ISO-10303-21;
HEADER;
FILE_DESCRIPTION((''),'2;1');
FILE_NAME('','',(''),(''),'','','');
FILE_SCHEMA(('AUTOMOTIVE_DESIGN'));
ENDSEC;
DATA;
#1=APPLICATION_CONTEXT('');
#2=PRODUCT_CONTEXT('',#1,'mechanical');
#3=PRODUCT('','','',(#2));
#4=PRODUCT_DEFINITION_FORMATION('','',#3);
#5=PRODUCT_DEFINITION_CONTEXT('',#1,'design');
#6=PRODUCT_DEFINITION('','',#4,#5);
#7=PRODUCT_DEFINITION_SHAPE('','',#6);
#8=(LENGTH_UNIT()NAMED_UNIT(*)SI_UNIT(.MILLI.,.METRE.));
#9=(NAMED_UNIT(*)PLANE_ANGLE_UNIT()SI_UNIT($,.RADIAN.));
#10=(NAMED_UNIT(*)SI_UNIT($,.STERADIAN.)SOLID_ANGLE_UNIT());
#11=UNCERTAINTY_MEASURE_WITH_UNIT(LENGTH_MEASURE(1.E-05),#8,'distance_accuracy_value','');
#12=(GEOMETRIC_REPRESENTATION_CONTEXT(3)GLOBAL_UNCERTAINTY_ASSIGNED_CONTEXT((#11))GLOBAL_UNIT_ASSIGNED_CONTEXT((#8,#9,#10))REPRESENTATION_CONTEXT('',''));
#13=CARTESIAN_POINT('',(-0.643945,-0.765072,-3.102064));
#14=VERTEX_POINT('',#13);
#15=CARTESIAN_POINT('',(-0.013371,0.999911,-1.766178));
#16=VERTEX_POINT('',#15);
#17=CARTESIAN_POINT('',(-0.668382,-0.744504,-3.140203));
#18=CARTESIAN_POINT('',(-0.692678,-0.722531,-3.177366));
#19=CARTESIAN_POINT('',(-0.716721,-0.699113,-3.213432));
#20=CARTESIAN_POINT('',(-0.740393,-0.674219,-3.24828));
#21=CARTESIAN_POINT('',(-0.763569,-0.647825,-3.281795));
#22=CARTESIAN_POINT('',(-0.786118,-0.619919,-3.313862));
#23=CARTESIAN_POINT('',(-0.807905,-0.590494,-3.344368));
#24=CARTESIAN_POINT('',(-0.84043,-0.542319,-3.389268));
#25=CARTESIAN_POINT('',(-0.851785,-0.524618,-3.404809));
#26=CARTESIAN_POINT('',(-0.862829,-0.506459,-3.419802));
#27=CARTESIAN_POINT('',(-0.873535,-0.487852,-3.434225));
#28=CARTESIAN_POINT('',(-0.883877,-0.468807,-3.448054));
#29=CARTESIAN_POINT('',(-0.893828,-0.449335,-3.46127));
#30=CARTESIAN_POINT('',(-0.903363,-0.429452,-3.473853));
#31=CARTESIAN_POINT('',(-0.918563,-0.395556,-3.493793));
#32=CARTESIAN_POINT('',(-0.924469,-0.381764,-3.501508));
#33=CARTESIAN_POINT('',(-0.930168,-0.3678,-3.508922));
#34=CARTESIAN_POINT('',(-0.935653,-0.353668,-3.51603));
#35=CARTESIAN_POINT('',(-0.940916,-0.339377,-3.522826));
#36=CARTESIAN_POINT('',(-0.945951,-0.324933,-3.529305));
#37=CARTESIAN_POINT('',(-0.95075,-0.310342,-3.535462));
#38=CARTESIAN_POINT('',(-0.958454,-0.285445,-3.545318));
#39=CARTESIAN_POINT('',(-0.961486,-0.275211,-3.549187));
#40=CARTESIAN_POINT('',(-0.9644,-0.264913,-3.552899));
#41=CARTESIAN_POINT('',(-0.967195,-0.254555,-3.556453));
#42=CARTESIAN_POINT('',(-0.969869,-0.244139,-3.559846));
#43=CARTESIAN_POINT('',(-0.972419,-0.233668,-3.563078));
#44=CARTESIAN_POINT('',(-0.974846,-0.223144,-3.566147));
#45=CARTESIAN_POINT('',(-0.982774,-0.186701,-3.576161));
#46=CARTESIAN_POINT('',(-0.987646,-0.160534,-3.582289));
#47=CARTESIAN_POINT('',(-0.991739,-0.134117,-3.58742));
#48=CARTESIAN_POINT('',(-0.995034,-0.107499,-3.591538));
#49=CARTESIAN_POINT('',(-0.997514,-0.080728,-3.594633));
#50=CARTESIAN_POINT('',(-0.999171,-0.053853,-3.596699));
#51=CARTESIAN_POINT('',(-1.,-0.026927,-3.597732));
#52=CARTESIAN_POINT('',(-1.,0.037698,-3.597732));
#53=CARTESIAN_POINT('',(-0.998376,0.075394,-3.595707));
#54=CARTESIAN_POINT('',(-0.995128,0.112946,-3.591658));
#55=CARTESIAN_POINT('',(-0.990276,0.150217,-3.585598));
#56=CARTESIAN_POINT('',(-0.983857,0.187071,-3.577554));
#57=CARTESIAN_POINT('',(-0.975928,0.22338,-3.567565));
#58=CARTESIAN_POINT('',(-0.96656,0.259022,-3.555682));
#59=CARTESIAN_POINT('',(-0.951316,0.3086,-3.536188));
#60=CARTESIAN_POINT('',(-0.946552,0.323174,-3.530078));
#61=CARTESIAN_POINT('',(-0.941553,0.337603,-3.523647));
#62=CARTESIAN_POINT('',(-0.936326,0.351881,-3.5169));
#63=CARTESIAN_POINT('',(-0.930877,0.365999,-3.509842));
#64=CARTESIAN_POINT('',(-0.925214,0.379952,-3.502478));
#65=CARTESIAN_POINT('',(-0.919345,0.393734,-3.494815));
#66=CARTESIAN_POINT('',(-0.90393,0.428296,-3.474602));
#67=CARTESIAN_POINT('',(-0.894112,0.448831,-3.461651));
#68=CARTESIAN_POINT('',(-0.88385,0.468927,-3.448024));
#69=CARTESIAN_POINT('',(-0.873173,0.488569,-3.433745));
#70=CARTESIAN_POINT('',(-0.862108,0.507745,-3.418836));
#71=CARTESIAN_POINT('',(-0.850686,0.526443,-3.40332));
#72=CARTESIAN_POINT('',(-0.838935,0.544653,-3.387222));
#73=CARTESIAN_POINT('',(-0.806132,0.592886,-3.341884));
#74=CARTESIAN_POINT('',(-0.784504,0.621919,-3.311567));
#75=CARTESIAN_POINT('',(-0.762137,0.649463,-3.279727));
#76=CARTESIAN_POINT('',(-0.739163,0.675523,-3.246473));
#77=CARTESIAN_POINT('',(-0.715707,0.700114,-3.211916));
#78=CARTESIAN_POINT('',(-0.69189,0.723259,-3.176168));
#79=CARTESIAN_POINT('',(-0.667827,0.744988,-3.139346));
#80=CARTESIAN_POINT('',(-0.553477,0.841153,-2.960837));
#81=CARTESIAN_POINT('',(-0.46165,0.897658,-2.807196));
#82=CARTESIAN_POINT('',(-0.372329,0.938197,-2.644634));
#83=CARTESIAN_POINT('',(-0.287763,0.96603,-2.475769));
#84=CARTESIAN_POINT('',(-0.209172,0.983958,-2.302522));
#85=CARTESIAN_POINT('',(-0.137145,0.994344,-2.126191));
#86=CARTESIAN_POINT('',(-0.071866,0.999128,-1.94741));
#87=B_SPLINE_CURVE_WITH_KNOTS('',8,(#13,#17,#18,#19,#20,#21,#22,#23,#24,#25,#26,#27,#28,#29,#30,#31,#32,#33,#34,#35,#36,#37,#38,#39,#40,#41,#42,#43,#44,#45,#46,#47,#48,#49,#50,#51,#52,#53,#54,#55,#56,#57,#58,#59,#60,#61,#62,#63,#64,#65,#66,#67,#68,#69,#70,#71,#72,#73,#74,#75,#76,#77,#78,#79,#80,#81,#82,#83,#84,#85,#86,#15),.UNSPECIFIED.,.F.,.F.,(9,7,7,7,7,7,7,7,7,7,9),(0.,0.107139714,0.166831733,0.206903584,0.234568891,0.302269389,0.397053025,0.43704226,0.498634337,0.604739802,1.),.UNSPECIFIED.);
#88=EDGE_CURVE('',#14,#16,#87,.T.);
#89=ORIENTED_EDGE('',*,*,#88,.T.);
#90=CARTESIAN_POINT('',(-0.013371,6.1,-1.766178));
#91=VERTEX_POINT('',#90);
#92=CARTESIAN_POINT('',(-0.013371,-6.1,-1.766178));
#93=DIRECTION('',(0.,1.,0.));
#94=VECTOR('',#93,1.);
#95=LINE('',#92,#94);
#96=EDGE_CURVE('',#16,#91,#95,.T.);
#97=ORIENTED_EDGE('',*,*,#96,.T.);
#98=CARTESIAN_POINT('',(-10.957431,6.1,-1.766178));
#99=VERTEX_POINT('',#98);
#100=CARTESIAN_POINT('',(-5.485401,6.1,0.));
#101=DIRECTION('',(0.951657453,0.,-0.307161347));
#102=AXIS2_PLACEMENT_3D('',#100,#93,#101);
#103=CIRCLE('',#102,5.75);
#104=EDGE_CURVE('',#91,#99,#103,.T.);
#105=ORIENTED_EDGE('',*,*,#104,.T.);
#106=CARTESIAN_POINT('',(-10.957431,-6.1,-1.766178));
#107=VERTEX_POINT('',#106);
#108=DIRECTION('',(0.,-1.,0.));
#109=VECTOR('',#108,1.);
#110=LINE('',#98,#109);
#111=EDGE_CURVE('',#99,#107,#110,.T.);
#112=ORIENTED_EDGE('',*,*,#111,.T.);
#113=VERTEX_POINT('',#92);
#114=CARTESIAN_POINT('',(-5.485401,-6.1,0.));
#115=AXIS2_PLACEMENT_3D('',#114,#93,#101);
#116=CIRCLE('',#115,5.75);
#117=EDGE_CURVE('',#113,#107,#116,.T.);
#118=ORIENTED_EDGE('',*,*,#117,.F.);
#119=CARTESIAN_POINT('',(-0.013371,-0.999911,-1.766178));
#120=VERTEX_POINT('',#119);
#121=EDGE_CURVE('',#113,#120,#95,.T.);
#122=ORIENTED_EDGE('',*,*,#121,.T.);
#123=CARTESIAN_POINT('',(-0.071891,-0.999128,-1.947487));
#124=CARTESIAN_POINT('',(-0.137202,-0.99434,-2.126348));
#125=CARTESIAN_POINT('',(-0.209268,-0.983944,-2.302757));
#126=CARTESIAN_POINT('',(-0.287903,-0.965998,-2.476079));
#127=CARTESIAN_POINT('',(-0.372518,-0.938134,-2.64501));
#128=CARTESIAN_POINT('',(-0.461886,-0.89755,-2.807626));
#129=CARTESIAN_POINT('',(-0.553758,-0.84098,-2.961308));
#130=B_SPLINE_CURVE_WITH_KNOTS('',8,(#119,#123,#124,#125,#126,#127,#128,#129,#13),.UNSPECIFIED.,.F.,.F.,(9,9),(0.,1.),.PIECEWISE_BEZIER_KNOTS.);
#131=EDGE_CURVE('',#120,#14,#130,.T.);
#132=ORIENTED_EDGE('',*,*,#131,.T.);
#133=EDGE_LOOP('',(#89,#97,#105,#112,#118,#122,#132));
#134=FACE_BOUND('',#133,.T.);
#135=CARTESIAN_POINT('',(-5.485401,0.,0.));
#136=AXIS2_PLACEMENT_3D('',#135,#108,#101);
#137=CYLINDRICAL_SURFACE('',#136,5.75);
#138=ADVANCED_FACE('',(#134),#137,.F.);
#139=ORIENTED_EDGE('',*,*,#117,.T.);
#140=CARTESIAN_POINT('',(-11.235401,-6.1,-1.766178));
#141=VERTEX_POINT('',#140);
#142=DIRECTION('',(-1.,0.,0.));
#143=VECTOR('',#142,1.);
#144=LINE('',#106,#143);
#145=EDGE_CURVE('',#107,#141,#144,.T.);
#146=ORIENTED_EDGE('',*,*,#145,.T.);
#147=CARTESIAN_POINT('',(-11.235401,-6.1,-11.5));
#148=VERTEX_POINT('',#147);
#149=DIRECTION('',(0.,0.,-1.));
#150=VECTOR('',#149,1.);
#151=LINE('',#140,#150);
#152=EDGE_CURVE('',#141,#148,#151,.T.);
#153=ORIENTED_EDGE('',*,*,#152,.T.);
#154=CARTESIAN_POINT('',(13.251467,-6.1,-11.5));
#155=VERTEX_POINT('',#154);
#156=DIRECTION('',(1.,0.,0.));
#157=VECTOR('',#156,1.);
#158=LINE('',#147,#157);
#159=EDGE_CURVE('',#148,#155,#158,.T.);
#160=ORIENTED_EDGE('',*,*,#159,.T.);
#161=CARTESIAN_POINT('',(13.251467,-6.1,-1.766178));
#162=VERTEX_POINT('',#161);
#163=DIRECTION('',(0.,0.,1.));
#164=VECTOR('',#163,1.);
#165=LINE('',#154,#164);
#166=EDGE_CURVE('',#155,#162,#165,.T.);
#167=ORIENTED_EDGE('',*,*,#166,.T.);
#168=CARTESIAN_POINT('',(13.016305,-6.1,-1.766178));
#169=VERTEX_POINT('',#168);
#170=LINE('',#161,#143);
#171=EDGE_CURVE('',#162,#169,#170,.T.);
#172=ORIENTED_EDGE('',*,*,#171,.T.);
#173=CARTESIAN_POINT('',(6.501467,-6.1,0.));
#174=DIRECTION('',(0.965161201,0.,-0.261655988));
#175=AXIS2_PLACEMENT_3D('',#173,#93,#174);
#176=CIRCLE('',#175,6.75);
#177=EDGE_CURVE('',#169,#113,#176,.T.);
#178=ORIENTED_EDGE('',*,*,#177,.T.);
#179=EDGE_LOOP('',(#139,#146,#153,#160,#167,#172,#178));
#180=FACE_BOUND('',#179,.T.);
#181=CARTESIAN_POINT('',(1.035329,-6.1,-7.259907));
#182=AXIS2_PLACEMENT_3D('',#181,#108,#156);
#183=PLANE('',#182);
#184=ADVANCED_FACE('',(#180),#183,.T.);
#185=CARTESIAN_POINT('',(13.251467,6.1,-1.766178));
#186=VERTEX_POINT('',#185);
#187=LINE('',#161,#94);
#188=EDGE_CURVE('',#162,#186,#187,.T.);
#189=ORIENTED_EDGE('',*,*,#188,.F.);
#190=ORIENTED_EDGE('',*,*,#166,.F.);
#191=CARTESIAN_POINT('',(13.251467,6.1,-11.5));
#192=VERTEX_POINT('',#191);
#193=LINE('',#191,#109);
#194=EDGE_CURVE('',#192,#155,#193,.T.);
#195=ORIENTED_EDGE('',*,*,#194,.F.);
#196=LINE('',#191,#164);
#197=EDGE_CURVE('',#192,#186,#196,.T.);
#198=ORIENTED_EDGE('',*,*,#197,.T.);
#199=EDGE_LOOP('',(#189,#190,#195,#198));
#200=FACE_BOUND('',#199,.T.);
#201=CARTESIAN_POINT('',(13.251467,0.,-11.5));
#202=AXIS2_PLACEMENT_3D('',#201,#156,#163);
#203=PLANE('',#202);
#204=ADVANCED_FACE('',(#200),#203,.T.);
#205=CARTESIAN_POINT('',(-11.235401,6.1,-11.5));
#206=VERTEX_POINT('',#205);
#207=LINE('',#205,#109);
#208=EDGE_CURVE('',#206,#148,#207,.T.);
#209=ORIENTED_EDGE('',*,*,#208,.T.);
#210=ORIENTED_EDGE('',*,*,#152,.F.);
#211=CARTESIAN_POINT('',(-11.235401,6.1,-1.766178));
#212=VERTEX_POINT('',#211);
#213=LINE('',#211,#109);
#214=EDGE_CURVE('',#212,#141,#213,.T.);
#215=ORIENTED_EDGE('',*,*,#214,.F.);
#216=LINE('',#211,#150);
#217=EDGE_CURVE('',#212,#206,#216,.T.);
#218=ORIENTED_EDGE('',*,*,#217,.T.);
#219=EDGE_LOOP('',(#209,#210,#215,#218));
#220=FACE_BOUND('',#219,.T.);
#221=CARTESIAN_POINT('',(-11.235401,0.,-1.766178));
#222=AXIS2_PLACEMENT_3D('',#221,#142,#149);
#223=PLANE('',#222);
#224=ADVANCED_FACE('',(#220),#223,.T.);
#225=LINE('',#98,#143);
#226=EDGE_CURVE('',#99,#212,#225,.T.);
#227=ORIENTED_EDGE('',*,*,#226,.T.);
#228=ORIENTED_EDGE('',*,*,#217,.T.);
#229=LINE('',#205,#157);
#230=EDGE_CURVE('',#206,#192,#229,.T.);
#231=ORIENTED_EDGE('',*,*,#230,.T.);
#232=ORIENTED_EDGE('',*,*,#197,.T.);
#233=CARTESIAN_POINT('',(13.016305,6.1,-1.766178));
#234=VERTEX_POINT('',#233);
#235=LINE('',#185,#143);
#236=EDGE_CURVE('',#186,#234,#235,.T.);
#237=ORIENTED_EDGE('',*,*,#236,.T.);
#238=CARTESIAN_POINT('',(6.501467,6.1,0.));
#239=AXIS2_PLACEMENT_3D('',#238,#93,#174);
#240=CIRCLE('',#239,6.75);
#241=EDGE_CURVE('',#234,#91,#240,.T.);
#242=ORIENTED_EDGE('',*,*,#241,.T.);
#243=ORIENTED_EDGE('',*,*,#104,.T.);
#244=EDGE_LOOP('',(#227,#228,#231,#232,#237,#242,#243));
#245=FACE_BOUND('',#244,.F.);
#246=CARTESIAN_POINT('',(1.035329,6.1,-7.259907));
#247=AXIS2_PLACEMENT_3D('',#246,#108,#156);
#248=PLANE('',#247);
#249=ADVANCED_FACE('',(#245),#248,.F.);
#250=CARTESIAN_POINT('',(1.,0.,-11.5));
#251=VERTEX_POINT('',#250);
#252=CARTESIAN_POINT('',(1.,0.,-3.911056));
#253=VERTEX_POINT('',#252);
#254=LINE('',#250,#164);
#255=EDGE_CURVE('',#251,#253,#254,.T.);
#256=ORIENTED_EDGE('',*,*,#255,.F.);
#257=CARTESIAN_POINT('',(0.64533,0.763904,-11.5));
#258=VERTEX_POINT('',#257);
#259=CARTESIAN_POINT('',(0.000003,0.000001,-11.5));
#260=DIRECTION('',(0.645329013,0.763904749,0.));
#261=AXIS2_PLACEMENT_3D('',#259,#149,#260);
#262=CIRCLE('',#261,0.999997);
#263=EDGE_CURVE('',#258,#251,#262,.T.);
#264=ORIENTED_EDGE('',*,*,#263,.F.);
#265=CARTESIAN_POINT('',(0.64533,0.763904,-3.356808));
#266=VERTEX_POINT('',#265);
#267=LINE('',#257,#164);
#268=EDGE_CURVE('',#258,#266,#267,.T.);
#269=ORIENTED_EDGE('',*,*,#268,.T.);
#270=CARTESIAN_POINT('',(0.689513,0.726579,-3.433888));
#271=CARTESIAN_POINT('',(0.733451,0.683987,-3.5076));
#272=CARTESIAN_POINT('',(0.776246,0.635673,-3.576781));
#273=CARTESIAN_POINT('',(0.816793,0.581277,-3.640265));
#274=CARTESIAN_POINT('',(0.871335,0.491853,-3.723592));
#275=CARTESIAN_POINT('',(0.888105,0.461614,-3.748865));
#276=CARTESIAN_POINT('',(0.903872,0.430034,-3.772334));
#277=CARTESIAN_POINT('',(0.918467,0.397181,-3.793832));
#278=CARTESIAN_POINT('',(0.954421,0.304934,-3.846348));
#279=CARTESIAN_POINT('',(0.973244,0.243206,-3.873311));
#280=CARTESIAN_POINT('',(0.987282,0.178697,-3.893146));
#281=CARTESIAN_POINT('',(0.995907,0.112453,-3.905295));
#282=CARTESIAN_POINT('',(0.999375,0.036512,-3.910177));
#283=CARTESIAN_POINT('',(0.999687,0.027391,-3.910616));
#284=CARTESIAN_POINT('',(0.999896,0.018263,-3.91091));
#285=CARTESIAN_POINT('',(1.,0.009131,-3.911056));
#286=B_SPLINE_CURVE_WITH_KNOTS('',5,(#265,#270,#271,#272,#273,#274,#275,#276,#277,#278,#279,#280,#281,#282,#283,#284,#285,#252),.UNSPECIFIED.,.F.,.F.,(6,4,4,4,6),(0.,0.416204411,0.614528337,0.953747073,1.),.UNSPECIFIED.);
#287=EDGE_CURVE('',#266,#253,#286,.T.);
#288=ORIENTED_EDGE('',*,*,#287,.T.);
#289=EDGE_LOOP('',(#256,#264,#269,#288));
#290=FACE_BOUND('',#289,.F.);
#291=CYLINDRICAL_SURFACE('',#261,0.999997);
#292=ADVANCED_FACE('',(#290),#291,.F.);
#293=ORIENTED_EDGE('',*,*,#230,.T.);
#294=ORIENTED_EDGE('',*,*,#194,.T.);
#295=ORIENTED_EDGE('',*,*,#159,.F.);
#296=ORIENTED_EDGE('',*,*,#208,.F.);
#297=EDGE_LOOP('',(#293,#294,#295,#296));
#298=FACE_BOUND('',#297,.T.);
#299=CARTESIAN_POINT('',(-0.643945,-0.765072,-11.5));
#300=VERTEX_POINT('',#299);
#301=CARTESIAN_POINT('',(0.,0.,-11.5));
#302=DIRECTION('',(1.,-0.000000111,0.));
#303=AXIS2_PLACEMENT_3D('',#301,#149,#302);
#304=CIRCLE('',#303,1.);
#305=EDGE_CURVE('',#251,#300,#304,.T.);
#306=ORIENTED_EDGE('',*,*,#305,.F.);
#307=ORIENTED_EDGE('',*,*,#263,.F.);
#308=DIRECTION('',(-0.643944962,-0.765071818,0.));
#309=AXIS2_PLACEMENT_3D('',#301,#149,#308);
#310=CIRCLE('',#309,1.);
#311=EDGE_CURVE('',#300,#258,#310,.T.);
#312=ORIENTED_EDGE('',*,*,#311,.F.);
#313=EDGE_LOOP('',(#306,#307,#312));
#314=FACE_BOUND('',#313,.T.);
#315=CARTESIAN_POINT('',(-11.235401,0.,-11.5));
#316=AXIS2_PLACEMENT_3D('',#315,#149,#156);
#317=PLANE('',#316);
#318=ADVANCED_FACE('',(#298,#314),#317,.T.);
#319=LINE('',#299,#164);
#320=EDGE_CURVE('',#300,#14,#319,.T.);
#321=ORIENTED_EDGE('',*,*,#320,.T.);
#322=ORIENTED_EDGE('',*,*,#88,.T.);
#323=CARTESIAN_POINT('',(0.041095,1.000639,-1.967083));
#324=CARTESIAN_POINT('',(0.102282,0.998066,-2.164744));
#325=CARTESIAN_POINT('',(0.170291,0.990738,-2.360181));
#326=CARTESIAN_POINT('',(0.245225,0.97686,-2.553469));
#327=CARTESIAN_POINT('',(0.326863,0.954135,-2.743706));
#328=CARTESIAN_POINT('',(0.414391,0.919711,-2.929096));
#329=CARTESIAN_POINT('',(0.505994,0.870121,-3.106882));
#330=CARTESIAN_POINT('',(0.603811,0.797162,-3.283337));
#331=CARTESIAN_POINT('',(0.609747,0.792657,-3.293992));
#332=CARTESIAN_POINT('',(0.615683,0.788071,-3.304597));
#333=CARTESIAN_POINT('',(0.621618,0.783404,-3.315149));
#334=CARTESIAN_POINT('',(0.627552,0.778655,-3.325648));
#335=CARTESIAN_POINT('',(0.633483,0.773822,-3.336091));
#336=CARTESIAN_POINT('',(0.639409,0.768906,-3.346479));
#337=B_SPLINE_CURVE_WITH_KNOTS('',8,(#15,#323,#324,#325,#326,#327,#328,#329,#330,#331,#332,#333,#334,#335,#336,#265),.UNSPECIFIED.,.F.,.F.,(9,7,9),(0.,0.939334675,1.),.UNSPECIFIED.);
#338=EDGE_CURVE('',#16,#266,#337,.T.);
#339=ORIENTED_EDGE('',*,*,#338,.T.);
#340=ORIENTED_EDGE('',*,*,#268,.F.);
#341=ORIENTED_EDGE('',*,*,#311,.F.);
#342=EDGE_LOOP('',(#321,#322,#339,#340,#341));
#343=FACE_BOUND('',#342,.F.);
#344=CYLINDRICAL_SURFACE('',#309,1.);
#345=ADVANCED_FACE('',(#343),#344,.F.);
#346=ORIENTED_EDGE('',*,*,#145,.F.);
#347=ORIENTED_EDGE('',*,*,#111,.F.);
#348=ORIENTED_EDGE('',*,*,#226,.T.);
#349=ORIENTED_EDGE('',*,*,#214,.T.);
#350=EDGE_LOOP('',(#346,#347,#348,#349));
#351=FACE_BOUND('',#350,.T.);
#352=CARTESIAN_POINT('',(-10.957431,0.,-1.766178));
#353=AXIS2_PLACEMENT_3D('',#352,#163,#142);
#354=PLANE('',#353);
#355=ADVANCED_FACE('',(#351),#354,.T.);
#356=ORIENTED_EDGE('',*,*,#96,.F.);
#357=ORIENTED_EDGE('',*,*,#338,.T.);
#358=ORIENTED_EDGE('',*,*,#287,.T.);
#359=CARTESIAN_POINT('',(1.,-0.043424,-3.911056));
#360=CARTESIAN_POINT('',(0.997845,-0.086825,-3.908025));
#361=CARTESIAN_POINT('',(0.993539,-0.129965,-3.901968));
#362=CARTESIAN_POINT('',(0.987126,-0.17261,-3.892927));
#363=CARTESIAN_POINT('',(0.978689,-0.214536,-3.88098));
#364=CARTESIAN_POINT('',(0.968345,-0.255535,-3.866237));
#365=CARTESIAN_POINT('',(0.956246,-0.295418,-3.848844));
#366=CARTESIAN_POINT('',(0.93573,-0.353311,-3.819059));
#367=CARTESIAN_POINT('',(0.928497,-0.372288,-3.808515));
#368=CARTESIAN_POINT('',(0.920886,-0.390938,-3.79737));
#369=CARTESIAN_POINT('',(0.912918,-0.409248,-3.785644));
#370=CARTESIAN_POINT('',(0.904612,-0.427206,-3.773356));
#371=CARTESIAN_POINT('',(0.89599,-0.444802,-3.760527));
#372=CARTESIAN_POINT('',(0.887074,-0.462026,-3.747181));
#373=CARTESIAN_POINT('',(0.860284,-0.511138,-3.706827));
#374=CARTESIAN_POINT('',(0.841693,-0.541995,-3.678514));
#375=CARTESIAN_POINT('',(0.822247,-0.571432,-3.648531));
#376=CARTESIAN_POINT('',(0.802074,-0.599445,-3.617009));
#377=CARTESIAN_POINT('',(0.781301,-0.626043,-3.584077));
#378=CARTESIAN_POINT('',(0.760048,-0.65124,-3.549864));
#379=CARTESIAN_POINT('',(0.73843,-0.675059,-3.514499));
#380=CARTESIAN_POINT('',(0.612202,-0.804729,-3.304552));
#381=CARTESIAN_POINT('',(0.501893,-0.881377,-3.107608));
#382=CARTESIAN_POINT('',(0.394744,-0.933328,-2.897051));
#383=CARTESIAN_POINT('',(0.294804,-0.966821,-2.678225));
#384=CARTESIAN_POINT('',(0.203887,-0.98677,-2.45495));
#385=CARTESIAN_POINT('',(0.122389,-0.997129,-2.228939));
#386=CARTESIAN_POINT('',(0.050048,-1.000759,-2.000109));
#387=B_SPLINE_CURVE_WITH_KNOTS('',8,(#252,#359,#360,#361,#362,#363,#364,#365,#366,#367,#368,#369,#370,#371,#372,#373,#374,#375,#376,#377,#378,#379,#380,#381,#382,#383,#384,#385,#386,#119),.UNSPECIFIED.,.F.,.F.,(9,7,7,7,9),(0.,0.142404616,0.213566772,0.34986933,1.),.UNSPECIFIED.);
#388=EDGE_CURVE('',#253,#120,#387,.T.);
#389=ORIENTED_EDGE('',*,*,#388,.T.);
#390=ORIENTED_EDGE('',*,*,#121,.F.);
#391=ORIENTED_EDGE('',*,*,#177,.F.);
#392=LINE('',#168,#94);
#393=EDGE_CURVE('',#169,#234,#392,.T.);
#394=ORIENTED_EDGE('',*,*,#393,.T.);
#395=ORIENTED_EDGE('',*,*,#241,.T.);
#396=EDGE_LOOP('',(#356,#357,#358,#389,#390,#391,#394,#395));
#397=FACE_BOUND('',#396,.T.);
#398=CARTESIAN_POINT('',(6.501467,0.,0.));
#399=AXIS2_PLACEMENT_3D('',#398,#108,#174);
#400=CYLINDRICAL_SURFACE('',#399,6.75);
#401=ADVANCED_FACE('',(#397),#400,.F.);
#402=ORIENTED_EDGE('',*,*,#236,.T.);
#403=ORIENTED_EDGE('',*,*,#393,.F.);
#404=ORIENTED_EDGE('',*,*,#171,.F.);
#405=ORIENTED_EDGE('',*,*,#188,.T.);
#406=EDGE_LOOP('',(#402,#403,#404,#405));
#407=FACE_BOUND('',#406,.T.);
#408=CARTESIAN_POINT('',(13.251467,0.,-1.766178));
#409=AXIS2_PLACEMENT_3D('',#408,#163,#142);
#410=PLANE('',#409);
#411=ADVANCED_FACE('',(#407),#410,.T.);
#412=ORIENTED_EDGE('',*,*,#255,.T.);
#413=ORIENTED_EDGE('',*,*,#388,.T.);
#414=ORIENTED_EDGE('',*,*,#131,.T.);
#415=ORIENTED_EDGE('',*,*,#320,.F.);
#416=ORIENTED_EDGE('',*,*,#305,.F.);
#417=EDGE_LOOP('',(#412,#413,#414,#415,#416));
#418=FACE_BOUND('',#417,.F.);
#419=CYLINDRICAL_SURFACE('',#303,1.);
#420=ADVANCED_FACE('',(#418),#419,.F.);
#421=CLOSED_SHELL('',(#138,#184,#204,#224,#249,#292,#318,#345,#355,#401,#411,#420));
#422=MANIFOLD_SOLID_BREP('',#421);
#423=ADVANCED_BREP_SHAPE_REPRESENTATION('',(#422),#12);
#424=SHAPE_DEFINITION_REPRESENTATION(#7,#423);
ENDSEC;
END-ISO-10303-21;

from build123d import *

# Parameters (mm, degrees)
F1_DEPTH = 6.1
F3_DEPTH = 25


with BuildPart() as f1:
    # F0 (on Front) → F1 (new body, symmetric)
    with BuildSketch(Plane.XZ):
        with BuildLine():
            ThreePointArc((-0.013371, -1.766178), (-5.485401, -5.75), (-10.957431, -1.766178))
            Line((-10.957431, -1.766178), (-11.235401, -1.766178))
            Line((-11.235401, -1.766178), (-11.235401, -11.5))
            Line((-11.235401, -11.5), (13.251467, -11.5))
            Line((13.251467, -11.5), (13.251467, -1.766178))
            Line((13.251467, -1.766178), (13.016305, -1.766178))
            ThreePointArc((13.016305, -1.766178), (6.501467, -6.75), (-0.013371, -1.766178))
        make_face()
    extrude(amount=F1_DEPTH, both=True)

    # F2 (on face) → F3 (cut)
    with BuildSketch(Plane(origin=(0, 0, -11.5), x_dir=(1, 0, 0), z_dir=(0, 0, -1))):
        with BuildLine():
            ThreePointArc((0.64533, -0.763904), (0.907009, -0.421112), (1, 0))
            ThreePointArc((1, 0), (0.421933, 0.906627), (-0.643945, 0.765072))
            Line((-0.643945, 0.765072), (0.64533, -0.763904))
        make_face()
        with BuildLine():
            Line((0.64533, -0.763904), (-0.643945, 0.765072))
            ThreePointArc((-0.643945, 0.765072), (-0.764488, -0.644638), (0.64533, -0.763904))
        make_face()
    extrude(amount=-F3_DEPTH, mode=Mode.SUBTRACT)


solid = f1.part
